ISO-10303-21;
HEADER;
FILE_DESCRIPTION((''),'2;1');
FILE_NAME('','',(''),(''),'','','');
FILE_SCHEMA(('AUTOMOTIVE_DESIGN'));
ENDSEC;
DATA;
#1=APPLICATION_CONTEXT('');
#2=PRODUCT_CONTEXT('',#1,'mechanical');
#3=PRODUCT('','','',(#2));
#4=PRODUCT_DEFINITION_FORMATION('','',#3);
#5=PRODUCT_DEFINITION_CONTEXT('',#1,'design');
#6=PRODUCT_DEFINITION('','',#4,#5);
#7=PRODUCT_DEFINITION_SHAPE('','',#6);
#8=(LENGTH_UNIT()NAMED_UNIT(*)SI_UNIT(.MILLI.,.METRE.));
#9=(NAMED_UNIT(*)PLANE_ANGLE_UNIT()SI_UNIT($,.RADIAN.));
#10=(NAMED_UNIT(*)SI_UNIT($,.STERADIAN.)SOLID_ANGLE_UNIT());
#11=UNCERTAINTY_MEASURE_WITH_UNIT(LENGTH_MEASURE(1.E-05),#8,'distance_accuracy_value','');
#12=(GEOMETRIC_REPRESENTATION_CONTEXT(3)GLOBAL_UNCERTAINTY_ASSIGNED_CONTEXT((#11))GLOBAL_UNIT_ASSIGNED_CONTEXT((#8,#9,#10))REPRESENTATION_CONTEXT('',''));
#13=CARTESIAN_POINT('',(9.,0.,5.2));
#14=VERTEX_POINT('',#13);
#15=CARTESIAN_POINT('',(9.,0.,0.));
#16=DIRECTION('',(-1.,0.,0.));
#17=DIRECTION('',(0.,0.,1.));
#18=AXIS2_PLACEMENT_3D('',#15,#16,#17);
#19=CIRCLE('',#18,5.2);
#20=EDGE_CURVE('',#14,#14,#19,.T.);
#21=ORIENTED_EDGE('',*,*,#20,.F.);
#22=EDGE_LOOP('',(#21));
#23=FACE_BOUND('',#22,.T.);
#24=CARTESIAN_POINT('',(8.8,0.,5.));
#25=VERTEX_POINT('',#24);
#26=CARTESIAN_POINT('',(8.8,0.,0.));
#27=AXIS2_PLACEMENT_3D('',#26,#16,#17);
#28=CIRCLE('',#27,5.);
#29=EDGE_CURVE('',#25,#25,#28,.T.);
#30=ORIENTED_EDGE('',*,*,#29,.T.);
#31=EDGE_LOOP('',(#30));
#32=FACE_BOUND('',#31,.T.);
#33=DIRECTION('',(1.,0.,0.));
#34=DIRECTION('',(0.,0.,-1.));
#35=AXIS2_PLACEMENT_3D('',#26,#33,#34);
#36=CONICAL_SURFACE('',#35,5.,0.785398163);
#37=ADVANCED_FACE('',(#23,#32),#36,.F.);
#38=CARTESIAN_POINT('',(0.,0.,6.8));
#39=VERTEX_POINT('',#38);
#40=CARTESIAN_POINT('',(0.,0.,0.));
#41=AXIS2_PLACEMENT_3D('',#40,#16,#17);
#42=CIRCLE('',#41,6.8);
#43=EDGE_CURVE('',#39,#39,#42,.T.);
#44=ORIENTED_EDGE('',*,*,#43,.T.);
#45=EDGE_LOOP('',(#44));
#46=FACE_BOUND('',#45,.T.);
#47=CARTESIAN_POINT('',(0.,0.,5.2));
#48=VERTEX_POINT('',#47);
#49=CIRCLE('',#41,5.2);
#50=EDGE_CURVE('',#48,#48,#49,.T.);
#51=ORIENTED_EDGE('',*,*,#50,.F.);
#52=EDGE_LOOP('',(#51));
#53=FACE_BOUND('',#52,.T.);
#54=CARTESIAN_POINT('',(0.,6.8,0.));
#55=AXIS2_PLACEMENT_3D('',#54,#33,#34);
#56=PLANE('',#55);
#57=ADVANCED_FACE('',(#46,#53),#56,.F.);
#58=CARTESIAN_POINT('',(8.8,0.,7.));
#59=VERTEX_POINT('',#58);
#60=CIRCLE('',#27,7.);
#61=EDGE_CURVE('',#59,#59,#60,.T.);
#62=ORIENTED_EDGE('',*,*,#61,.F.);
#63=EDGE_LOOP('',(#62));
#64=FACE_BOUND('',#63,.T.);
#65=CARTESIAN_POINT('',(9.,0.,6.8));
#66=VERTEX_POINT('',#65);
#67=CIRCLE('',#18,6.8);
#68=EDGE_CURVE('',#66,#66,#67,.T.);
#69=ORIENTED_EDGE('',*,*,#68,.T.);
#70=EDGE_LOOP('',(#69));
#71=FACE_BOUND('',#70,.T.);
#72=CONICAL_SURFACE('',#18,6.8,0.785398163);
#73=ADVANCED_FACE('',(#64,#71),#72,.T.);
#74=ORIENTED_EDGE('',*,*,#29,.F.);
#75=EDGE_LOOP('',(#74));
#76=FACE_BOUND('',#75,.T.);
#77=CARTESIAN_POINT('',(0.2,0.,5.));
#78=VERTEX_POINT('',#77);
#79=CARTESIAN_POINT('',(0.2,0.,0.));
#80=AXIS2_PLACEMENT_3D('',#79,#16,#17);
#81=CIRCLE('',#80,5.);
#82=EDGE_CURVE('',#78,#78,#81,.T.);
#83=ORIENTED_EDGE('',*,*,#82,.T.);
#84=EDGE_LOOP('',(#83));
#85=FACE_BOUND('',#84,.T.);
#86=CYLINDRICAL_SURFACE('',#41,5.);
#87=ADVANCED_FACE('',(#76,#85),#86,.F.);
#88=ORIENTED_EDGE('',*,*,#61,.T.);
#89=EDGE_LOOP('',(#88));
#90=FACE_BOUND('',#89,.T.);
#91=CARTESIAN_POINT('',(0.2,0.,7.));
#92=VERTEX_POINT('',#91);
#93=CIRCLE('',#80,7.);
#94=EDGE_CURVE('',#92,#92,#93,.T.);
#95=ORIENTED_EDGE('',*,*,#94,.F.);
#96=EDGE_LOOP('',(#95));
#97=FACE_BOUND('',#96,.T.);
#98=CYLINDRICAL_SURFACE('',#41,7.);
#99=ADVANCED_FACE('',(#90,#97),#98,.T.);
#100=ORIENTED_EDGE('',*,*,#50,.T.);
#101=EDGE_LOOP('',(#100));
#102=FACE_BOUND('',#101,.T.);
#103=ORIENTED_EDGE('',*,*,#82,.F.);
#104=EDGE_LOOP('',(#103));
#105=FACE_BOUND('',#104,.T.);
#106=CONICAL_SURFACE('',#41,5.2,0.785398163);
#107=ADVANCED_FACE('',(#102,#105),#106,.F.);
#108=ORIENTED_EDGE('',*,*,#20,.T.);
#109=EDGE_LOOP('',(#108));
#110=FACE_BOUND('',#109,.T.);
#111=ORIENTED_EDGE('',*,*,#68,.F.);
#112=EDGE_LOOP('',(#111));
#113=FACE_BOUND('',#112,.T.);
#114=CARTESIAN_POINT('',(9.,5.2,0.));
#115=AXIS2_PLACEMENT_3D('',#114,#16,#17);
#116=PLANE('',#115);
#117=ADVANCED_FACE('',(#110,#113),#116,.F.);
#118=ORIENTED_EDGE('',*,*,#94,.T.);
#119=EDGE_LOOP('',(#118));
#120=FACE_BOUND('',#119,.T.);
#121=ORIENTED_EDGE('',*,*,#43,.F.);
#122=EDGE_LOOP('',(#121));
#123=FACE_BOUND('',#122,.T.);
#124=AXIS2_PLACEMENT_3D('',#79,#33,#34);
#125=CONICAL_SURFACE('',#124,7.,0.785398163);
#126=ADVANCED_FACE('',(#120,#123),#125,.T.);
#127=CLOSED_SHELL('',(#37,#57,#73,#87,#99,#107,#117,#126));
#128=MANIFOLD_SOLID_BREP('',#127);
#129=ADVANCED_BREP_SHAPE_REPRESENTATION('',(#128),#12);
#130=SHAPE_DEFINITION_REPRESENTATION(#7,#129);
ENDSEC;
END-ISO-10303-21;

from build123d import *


with BuildPart() as part:
    # Эскиз1 → Повернуть1 (revolve)
    with BuildSketch(Plane.XY):
        Polygon((0.2, 5), (8.8, 5), (9, 5.2), (9, 6.8), (8.8, 7), (0.2, 7), (0, 6.8), (0, 5.2), align=None)
    revolve(axis=Axis((0, 0, 0), (1, 0, 0)))


solid = part.part
